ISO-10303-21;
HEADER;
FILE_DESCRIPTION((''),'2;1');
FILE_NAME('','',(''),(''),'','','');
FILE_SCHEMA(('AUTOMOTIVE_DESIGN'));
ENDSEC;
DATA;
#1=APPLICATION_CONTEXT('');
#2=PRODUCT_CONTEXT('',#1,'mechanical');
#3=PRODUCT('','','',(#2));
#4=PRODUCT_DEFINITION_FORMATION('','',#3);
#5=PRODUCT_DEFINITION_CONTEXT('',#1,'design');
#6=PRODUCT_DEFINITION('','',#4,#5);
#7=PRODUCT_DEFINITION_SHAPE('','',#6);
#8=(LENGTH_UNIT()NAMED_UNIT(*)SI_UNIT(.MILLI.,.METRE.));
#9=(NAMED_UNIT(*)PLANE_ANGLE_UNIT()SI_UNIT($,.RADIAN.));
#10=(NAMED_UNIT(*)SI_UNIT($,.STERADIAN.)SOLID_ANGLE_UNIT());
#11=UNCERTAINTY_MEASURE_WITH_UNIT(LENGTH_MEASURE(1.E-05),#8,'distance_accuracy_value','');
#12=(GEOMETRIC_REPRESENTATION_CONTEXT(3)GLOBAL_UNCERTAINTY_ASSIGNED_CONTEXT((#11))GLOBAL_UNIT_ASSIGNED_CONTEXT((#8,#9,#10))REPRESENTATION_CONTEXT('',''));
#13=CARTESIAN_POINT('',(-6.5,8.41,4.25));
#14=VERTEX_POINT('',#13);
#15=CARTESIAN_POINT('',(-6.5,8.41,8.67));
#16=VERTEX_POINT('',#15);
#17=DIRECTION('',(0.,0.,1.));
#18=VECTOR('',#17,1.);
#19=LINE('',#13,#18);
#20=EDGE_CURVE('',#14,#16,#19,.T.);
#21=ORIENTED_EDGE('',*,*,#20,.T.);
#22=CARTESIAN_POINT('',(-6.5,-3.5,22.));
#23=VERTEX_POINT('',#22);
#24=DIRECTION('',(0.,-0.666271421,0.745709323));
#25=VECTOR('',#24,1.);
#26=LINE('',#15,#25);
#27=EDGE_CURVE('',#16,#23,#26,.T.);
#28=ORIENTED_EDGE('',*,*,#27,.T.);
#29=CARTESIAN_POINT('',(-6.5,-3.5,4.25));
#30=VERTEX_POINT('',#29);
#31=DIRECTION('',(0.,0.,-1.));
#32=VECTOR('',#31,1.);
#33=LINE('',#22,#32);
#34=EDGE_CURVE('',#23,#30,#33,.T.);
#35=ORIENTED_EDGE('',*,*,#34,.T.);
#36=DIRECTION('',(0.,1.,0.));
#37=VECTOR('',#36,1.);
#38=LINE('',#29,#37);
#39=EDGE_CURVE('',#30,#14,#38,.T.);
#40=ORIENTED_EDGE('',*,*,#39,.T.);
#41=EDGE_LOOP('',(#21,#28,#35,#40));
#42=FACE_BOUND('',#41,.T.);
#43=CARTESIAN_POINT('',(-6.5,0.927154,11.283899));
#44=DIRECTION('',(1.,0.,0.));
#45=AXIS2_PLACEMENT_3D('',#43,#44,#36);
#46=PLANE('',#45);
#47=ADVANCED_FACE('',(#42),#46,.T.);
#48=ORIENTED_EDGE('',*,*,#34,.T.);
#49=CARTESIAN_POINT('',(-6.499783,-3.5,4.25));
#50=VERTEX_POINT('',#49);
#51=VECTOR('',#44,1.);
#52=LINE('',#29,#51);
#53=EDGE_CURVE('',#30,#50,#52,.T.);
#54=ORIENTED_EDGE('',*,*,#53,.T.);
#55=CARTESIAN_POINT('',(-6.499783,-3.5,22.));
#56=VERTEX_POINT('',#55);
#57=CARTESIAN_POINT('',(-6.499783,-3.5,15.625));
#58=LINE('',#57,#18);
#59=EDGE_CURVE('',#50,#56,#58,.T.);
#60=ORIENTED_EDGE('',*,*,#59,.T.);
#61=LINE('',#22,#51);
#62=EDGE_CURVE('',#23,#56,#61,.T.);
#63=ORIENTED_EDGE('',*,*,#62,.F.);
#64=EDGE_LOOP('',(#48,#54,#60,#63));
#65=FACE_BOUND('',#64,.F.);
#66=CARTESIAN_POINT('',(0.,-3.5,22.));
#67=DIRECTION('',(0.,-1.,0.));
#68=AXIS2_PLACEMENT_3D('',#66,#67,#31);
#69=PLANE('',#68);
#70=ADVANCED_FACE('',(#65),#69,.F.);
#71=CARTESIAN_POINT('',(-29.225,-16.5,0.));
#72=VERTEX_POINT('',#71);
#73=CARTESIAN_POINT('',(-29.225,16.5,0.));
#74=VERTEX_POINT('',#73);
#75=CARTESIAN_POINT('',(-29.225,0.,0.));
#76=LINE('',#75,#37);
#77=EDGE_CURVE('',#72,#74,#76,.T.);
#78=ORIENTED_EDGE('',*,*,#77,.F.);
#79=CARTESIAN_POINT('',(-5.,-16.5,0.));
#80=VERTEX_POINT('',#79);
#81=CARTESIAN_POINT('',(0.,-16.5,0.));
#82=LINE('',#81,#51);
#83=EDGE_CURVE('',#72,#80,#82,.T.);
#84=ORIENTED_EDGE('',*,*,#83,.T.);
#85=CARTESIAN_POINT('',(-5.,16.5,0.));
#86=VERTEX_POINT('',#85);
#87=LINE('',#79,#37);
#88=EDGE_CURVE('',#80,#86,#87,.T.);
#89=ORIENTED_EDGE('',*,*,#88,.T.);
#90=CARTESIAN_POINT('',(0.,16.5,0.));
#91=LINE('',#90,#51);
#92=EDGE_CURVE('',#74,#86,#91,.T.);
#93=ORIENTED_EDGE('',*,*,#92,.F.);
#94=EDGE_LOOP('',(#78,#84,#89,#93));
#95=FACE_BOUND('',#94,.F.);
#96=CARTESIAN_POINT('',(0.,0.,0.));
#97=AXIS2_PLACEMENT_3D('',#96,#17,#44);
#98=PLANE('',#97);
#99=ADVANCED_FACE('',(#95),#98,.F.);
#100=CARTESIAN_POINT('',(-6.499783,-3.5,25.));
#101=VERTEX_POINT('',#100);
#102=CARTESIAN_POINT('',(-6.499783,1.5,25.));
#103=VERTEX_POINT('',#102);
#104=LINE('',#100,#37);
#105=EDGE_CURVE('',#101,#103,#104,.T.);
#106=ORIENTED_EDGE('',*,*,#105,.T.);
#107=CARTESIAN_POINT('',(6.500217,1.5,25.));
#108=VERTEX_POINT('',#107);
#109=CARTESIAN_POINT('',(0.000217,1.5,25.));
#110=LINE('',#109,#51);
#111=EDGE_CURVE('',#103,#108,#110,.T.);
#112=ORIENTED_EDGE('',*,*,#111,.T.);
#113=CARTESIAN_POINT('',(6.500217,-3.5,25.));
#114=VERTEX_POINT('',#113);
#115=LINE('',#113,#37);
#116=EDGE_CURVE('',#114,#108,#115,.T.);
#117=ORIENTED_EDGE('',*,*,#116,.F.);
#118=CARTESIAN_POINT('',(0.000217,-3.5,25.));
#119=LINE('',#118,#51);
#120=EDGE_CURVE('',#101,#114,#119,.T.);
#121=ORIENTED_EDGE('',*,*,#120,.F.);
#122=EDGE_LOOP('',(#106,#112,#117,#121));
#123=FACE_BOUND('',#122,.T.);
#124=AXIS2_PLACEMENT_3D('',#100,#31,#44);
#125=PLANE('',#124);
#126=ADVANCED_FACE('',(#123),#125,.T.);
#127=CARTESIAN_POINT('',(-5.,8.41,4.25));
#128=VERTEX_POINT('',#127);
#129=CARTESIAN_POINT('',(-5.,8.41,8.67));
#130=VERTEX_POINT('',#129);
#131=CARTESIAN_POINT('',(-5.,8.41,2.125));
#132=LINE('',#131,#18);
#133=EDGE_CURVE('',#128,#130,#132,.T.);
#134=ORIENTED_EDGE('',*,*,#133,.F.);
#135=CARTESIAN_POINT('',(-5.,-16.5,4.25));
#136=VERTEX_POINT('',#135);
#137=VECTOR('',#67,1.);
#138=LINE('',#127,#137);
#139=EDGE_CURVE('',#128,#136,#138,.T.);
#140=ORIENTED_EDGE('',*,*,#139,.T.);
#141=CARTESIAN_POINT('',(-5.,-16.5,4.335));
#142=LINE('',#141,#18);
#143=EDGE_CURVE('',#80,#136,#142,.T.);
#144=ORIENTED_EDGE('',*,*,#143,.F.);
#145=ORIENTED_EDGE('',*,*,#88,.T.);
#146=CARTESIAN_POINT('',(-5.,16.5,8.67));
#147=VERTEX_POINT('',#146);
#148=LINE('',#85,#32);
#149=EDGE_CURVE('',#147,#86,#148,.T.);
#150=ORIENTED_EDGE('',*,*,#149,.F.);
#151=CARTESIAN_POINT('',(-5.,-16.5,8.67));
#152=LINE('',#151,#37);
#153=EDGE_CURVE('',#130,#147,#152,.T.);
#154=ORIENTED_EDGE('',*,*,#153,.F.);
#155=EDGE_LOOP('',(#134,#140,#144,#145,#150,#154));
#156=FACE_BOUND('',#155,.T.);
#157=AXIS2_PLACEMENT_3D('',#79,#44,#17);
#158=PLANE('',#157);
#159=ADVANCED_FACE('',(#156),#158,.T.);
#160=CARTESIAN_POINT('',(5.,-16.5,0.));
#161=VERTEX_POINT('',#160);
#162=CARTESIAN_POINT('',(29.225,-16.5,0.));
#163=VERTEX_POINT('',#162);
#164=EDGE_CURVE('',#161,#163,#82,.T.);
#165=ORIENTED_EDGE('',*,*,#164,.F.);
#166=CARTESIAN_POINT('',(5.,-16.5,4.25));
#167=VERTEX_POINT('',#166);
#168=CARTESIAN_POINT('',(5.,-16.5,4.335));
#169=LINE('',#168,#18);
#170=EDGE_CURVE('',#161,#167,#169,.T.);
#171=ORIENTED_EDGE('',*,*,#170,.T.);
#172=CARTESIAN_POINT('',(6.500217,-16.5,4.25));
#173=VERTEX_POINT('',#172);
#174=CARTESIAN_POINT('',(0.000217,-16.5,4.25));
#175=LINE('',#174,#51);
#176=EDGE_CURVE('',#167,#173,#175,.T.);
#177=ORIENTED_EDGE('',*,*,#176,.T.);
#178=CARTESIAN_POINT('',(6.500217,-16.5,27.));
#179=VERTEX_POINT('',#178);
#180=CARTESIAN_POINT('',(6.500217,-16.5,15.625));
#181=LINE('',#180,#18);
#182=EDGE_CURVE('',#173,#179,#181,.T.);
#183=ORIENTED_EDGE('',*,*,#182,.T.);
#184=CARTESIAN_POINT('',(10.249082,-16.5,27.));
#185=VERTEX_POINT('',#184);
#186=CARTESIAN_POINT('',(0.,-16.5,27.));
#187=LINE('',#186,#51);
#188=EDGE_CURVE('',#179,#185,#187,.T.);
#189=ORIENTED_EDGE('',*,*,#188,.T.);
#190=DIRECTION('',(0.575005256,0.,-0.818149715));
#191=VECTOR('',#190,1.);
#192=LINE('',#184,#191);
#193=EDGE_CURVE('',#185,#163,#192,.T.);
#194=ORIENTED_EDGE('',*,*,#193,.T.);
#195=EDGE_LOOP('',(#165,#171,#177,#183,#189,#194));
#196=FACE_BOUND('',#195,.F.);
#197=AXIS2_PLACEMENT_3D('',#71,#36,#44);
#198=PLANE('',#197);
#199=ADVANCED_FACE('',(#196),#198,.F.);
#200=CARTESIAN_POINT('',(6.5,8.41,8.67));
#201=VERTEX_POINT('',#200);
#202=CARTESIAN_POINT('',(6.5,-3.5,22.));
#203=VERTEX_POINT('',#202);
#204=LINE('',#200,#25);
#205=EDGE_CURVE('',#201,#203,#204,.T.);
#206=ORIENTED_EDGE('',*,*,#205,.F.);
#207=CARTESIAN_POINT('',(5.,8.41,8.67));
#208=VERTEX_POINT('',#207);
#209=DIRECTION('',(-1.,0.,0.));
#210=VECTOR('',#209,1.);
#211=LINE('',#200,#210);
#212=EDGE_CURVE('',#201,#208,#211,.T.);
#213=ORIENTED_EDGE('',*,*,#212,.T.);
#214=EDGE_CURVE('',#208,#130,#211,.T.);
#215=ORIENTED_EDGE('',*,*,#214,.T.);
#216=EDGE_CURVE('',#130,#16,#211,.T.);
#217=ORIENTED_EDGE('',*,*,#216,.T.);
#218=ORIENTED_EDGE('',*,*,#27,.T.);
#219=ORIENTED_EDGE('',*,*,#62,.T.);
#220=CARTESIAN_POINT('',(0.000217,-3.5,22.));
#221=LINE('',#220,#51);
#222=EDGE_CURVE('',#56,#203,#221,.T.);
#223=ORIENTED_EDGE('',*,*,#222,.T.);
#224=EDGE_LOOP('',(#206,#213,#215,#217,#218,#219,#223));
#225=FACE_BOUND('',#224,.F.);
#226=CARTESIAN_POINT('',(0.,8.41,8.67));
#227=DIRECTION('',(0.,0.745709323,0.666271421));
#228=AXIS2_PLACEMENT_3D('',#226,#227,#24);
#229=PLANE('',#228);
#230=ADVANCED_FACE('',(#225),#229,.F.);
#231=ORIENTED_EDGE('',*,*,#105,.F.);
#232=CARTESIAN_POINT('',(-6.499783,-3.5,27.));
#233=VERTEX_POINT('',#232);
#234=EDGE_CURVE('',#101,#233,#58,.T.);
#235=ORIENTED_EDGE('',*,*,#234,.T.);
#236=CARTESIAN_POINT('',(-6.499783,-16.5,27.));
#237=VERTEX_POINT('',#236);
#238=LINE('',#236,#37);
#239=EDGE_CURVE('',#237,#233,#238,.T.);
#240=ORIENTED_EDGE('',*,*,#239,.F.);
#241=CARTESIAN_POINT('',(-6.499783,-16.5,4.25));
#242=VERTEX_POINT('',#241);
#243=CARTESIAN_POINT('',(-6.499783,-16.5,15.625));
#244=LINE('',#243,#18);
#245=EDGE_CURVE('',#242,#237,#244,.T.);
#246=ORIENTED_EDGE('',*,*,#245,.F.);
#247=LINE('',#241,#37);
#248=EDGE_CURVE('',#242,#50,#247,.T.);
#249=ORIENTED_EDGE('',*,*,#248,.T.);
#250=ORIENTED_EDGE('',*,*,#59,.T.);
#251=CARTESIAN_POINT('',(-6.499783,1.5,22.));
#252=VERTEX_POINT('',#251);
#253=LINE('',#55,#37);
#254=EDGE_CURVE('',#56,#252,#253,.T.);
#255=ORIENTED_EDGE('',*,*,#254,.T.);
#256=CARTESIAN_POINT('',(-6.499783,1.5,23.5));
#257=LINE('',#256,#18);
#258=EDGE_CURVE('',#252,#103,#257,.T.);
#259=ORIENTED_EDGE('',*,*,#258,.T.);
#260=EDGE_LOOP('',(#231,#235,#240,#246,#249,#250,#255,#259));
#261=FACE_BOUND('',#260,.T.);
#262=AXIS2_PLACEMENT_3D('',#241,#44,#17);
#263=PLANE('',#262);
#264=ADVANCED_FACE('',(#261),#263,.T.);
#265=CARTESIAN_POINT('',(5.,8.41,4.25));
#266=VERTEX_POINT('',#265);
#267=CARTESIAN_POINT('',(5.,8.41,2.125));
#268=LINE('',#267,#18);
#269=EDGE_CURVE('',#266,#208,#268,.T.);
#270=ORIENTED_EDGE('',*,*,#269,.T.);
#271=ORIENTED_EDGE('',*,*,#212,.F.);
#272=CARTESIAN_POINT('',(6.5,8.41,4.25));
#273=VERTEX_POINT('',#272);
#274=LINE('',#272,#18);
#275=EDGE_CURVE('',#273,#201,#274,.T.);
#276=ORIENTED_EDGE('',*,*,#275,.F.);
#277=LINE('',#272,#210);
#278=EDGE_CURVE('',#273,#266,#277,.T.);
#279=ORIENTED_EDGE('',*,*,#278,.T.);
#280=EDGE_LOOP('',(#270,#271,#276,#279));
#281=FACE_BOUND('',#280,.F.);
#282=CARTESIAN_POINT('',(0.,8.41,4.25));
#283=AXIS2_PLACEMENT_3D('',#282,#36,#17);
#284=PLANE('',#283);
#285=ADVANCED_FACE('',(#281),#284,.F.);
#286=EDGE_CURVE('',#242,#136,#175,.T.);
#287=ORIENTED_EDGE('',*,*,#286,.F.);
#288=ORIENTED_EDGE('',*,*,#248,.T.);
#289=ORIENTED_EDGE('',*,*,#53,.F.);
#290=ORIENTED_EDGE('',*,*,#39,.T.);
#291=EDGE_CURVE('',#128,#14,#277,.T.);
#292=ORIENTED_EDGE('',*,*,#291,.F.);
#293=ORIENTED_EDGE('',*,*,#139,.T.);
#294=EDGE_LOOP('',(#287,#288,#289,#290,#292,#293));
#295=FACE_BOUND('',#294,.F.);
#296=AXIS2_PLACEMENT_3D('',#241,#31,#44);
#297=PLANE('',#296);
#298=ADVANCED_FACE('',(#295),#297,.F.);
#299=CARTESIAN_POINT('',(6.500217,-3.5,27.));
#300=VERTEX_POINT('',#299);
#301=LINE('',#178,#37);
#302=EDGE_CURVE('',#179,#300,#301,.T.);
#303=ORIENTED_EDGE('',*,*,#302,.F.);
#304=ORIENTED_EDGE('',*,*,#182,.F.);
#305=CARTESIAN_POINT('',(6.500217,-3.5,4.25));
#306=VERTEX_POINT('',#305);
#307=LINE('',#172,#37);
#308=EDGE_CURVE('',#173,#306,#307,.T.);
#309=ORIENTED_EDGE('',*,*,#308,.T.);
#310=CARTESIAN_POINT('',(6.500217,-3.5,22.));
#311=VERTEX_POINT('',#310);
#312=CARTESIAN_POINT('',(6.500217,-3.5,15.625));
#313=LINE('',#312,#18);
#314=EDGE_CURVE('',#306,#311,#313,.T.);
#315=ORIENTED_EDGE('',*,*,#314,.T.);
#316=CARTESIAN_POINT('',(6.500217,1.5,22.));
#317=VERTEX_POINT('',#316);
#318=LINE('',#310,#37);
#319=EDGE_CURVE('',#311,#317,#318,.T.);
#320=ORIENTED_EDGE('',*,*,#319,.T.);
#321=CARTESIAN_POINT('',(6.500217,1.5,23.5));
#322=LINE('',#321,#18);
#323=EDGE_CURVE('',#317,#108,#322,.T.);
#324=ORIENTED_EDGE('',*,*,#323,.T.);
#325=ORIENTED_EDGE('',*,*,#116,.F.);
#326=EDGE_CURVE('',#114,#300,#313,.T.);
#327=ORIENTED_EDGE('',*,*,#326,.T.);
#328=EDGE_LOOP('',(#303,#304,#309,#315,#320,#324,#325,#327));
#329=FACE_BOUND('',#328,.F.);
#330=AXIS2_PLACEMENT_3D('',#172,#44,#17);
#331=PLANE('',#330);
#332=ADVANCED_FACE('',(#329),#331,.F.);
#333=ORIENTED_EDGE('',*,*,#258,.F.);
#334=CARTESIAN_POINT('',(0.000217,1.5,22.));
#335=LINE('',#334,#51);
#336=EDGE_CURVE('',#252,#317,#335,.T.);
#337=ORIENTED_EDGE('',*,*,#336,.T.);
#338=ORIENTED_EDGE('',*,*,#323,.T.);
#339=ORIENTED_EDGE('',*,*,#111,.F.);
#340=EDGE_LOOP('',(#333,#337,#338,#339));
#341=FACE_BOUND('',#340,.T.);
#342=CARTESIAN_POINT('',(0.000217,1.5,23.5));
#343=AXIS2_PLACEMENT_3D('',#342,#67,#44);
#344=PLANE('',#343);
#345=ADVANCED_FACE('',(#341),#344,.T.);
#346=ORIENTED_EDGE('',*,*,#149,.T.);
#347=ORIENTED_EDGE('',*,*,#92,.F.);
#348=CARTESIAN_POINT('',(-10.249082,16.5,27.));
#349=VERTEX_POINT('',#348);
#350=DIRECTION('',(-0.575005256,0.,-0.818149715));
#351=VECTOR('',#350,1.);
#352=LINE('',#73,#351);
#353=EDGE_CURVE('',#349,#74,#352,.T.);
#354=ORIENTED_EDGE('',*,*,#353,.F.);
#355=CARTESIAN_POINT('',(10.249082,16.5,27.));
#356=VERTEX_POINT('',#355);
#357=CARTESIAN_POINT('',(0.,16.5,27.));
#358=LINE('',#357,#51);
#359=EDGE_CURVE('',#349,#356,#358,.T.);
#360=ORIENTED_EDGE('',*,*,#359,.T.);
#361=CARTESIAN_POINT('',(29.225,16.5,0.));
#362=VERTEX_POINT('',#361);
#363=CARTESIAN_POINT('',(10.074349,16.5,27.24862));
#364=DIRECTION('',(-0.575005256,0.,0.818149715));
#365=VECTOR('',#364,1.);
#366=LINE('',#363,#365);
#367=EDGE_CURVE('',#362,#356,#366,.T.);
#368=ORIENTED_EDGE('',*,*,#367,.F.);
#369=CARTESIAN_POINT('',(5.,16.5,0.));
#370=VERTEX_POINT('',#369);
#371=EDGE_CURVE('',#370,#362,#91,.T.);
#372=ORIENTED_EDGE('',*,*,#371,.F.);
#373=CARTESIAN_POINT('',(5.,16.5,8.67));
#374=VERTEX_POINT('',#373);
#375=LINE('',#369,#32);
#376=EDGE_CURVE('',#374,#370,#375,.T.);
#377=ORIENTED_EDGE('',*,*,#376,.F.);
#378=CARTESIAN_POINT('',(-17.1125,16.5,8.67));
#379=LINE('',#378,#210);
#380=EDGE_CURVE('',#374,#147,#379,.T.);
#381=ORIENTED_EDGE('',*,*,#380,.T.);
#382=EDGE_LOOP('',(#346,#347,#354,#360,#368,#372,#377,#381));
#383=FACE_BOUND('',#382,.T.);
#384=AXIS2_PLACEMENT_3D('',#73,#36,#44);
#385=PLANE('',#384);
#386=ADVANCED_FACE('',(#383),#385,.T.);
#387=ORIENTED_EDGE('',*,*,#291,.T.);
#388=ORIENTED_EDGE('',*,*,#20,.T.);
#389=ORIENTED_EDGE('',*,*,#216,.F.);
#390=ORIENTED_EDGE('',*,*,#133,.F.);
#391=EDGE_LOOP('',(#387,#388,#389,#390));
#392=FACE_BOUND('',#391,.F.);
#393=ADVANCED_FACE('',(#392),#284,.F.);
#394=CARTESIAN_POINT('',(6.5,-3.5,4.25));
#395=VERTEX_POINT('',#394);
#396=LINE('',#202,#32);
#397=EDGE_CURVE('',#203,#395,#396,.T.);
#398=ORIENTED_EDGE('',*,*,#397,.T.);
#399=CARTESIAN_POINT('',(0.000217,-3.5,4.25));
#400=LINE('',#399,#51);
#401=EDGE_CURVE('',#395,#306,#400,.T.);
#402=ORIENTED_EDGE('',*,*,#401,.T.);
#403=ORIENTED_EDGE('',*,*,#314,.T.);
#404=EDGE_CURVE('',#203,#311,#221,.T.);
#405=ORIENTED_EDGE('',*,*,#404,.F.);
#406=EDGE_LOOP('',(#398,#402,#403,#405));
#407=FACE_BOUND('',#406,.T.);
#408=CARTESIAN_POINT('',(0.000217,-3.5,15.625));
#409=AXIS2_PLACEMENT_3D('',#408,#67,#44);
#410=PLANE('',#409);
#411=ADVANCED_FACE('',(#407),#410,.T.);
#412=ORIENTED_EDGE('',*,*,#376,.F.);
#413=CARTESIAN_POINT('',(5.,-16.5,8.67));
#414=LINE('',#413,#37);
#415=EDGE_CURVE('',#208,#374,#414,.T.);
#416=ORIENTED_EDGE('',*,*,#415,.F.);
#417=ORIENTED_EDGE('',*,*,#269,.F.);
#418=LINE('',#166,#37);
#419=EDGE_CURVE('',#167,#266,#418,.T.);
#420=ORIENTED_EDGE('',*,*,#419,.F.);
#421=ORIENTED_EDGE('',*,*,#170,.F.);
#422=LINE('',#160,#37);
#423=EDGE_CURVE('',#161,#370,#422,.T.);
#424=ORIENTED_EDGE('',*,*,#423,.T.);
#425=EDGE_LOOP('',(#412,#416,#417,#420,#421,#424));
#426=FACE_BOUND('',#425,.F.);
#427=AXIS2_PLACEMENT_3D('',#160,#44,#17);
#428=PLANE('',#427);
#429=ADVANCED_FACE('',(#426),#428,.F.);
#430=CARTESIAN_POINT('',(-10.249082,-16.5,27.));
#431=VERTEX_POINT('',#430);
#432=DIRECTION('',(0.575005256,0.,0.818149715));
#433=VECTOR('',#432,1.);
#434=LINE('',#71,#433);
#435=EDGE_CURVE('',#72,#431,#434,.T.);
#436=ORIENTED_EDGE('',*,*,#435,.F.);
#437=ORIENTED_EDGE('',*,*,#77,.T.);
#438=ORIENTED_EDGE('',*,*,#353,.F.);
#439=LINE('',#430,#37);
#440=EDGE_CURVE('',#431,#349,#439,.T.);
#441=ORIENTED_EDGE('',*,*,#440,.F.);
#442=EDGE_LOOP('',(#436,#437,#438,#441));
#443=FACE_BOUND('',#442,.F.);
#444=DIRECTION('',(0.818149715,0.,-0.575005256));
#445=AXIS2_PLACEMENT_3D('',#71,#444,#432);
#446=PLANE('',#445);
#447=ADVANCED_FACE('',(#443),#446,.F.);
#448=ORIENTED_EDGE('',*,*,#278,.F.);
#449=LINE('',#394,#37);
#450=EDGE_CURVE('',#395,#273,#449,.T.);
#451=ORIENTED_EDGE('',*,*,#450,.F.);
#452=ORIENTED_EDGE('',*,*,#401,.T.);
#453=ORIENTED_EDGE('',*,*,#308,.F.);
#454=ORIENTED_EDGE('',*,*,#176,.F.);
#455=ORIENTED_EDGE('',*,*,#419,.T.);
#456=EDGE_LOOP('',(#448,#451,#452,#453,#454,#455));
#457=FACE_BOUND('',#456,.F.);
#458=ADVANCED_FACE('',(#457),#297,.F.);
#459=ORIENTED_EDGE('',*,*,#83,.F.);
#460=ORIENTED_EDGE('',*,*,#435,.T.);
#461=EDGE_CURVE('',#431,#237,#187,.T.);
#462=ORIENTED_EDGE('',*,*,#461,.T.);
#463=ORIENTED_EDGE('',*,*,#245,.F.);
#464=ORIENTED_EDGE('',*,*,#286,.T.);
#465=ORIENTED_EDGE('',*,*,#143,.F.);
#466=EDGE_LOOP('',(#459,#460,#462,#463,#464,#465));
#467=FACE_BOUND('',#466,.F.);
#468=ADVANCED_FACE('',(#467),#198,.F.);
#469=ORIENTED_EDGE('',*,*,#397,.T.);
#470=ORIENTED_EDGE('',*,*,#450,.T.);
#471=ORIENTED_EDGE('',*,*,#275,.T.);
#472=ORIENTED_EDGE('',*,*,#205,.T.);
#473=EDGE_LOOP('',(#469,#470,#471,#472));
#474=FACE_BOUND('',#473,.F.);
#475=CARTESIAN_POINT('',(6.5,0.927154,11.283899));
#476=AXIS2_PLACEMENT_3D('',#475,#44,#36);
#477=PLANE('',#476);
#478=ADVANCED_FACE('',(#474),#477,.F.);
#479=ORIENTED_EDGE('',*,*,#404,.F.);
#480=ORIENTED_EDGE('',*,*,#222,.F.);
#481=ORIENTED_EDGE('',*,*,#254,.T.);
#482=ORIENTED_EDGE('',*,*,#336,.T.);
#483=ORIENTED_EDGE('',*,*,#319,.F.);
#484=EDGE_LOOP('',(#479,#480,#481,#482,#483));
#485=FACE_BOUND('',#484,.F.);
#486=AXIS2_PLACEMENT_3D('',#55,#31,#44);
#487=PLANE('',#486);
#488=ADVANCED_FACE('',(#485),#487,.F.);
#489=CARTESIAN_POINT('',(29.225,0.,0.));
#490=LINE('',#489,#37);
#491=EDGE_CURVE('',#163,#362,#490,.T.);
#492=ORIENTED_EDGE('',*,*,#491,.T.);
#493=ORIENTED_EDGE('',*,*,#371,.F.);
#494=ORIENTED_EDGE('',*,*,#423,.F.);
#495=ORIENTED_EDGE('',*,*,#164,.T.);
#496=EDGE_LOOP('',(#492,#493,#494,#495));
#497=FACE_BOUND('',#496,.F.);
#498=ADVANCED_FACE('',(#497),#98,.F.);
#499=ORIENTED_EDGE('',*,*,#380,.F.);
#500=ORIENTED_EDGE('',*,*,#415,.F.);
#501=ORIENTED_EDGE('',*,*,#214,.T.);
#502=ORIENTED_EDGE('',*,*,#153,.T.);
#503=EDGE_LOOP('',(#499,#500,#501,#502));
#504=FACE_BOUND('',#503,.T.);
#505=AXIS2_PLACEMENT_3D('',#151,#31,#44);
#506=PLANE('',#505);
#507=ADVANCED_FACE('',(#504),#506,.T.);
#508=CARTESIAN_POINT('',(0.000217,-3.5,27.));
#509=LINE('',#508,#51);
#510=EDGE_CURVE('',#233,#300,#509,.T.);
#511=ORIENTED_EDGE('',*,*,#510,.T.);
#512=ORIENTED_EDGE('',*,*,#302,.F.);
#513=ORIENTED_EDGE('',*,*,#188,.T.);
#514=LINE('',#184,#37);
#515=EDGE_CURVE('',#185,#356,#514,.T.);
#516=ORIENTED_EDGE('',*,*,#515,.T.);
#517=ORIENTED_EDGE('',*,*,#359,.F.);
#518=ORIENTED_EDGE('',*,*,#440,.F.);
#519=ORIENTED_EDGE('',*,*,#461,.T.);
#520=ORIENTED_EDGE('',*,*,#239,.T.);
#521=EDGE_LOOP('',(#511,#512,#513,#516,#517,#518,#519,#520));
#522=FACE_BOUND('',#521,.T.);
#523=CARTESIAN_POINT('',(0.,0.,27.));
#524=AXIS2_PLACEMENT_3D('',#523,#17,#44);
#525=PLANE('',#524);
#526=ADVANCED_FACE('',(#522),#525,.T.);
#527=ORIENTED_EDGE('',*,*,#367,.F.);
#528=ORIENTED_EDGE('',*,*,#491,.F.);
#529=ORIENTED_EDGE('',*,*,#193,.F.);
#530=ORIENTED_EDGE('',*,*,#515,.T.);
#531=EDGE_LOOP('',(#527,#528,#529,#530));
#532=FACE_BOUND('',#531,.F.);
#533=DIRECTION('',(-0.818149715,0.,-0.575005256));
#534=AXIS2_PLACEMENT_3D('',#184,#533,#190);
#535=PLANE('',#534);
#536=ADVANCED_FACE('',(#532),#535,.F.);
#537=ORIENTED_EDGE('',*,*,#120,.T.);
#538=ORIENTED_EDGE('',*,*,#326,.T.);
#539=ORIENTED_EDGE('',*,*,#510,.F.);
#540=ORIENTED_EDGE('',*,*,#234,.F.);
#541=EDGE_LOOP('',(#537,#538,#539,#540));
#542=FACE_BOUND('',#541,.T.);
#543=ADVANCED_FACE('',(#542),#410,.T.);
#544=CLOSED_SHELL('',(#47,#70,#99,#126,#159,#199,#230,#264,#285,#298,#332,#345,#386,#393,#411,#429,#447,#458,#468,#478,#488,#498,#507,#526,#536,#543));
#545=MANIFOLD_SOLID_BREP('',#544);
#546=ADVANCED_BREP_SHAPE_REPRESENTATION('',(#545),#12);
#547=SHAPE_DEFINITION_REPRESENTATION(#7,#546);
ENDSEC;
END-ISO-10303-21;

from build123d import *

# Parameters (mm, degrees)
F0_W      = 58.45
F0_H      = 33
F1_DEPTH  = 27
F3_DEPTH  = 33.001
F4_W      = 10
F4_H      = 8.67
F5_DEPTH  = 33.001
F6_W      = 13
F6_H      = 22.75
F7_DEPTH  = 13
F8_W      = 13
F8_H      = 3
F9_DEPTH  = 5
F11_DEPTH = 6.5


with BuildPart() as f1:
    # F0 (on Top) → F1 (new body)
    with BuildSketch(Plane.XY):
        Rectangle(F0_W, F0_H)
    extrude(amount=F1_DEPTH)

    # F2 (on face) → F3 (cut, through all)
    with BuildSketch(Plane.XZ.offset(16.5)):
        Polygon((-29.225, 27), (-29.225, 0), (-10.249082, 27), align=None)
        Polygon((10.249082, 27), (29.225, 0), (29.225, 27), align=None)
    extrude(amount=-F3_DEPTH, mode=Mode.SUBTRACT)

    # F4 (on face) → F5 (cut, through all)
    with BuildSketch(Plane.XZ.offset(16.5)):
        with Locations((0, 4.335)):
            Rectangle(F4_W, F4_H)
    extrude(amount=-F5_DEPTH, mode=Mode.SUBTRACT)

    # F6 (on face) → F7 (cut)
    with BuildSketch(Plane.XZ.offset(16.5)):
        with Locations((0.000217, 15.625)):
            Rectangle(F6_W, F6_H)
    extrude(amount=-F7_DEPTH, mode=Mode.SUBTRACT)

    # F8 (on face) → F9 (cut)
    with BuildSketch(Plane.XZ.offset(3.5)):
        with Locations((0.000217, 23.5)):
            Rectangle(F8_W, F8_H)
    extrude(amount=-F9_DEPTH, mode=Mode.SUBTRACT)

    # F10 (on Right) → F11 (cut, symmetric)
    with BuildSketch(Plane.YZ):
        Polygon((8.41, 8.67), (-3.5, 22), (-3.5, 4.25), (8.41, 4.25), align=None)
    extrude(amount=F11_DEPTH, both=True, mode=Mode.SUBTRACT)


solid = f1.part
